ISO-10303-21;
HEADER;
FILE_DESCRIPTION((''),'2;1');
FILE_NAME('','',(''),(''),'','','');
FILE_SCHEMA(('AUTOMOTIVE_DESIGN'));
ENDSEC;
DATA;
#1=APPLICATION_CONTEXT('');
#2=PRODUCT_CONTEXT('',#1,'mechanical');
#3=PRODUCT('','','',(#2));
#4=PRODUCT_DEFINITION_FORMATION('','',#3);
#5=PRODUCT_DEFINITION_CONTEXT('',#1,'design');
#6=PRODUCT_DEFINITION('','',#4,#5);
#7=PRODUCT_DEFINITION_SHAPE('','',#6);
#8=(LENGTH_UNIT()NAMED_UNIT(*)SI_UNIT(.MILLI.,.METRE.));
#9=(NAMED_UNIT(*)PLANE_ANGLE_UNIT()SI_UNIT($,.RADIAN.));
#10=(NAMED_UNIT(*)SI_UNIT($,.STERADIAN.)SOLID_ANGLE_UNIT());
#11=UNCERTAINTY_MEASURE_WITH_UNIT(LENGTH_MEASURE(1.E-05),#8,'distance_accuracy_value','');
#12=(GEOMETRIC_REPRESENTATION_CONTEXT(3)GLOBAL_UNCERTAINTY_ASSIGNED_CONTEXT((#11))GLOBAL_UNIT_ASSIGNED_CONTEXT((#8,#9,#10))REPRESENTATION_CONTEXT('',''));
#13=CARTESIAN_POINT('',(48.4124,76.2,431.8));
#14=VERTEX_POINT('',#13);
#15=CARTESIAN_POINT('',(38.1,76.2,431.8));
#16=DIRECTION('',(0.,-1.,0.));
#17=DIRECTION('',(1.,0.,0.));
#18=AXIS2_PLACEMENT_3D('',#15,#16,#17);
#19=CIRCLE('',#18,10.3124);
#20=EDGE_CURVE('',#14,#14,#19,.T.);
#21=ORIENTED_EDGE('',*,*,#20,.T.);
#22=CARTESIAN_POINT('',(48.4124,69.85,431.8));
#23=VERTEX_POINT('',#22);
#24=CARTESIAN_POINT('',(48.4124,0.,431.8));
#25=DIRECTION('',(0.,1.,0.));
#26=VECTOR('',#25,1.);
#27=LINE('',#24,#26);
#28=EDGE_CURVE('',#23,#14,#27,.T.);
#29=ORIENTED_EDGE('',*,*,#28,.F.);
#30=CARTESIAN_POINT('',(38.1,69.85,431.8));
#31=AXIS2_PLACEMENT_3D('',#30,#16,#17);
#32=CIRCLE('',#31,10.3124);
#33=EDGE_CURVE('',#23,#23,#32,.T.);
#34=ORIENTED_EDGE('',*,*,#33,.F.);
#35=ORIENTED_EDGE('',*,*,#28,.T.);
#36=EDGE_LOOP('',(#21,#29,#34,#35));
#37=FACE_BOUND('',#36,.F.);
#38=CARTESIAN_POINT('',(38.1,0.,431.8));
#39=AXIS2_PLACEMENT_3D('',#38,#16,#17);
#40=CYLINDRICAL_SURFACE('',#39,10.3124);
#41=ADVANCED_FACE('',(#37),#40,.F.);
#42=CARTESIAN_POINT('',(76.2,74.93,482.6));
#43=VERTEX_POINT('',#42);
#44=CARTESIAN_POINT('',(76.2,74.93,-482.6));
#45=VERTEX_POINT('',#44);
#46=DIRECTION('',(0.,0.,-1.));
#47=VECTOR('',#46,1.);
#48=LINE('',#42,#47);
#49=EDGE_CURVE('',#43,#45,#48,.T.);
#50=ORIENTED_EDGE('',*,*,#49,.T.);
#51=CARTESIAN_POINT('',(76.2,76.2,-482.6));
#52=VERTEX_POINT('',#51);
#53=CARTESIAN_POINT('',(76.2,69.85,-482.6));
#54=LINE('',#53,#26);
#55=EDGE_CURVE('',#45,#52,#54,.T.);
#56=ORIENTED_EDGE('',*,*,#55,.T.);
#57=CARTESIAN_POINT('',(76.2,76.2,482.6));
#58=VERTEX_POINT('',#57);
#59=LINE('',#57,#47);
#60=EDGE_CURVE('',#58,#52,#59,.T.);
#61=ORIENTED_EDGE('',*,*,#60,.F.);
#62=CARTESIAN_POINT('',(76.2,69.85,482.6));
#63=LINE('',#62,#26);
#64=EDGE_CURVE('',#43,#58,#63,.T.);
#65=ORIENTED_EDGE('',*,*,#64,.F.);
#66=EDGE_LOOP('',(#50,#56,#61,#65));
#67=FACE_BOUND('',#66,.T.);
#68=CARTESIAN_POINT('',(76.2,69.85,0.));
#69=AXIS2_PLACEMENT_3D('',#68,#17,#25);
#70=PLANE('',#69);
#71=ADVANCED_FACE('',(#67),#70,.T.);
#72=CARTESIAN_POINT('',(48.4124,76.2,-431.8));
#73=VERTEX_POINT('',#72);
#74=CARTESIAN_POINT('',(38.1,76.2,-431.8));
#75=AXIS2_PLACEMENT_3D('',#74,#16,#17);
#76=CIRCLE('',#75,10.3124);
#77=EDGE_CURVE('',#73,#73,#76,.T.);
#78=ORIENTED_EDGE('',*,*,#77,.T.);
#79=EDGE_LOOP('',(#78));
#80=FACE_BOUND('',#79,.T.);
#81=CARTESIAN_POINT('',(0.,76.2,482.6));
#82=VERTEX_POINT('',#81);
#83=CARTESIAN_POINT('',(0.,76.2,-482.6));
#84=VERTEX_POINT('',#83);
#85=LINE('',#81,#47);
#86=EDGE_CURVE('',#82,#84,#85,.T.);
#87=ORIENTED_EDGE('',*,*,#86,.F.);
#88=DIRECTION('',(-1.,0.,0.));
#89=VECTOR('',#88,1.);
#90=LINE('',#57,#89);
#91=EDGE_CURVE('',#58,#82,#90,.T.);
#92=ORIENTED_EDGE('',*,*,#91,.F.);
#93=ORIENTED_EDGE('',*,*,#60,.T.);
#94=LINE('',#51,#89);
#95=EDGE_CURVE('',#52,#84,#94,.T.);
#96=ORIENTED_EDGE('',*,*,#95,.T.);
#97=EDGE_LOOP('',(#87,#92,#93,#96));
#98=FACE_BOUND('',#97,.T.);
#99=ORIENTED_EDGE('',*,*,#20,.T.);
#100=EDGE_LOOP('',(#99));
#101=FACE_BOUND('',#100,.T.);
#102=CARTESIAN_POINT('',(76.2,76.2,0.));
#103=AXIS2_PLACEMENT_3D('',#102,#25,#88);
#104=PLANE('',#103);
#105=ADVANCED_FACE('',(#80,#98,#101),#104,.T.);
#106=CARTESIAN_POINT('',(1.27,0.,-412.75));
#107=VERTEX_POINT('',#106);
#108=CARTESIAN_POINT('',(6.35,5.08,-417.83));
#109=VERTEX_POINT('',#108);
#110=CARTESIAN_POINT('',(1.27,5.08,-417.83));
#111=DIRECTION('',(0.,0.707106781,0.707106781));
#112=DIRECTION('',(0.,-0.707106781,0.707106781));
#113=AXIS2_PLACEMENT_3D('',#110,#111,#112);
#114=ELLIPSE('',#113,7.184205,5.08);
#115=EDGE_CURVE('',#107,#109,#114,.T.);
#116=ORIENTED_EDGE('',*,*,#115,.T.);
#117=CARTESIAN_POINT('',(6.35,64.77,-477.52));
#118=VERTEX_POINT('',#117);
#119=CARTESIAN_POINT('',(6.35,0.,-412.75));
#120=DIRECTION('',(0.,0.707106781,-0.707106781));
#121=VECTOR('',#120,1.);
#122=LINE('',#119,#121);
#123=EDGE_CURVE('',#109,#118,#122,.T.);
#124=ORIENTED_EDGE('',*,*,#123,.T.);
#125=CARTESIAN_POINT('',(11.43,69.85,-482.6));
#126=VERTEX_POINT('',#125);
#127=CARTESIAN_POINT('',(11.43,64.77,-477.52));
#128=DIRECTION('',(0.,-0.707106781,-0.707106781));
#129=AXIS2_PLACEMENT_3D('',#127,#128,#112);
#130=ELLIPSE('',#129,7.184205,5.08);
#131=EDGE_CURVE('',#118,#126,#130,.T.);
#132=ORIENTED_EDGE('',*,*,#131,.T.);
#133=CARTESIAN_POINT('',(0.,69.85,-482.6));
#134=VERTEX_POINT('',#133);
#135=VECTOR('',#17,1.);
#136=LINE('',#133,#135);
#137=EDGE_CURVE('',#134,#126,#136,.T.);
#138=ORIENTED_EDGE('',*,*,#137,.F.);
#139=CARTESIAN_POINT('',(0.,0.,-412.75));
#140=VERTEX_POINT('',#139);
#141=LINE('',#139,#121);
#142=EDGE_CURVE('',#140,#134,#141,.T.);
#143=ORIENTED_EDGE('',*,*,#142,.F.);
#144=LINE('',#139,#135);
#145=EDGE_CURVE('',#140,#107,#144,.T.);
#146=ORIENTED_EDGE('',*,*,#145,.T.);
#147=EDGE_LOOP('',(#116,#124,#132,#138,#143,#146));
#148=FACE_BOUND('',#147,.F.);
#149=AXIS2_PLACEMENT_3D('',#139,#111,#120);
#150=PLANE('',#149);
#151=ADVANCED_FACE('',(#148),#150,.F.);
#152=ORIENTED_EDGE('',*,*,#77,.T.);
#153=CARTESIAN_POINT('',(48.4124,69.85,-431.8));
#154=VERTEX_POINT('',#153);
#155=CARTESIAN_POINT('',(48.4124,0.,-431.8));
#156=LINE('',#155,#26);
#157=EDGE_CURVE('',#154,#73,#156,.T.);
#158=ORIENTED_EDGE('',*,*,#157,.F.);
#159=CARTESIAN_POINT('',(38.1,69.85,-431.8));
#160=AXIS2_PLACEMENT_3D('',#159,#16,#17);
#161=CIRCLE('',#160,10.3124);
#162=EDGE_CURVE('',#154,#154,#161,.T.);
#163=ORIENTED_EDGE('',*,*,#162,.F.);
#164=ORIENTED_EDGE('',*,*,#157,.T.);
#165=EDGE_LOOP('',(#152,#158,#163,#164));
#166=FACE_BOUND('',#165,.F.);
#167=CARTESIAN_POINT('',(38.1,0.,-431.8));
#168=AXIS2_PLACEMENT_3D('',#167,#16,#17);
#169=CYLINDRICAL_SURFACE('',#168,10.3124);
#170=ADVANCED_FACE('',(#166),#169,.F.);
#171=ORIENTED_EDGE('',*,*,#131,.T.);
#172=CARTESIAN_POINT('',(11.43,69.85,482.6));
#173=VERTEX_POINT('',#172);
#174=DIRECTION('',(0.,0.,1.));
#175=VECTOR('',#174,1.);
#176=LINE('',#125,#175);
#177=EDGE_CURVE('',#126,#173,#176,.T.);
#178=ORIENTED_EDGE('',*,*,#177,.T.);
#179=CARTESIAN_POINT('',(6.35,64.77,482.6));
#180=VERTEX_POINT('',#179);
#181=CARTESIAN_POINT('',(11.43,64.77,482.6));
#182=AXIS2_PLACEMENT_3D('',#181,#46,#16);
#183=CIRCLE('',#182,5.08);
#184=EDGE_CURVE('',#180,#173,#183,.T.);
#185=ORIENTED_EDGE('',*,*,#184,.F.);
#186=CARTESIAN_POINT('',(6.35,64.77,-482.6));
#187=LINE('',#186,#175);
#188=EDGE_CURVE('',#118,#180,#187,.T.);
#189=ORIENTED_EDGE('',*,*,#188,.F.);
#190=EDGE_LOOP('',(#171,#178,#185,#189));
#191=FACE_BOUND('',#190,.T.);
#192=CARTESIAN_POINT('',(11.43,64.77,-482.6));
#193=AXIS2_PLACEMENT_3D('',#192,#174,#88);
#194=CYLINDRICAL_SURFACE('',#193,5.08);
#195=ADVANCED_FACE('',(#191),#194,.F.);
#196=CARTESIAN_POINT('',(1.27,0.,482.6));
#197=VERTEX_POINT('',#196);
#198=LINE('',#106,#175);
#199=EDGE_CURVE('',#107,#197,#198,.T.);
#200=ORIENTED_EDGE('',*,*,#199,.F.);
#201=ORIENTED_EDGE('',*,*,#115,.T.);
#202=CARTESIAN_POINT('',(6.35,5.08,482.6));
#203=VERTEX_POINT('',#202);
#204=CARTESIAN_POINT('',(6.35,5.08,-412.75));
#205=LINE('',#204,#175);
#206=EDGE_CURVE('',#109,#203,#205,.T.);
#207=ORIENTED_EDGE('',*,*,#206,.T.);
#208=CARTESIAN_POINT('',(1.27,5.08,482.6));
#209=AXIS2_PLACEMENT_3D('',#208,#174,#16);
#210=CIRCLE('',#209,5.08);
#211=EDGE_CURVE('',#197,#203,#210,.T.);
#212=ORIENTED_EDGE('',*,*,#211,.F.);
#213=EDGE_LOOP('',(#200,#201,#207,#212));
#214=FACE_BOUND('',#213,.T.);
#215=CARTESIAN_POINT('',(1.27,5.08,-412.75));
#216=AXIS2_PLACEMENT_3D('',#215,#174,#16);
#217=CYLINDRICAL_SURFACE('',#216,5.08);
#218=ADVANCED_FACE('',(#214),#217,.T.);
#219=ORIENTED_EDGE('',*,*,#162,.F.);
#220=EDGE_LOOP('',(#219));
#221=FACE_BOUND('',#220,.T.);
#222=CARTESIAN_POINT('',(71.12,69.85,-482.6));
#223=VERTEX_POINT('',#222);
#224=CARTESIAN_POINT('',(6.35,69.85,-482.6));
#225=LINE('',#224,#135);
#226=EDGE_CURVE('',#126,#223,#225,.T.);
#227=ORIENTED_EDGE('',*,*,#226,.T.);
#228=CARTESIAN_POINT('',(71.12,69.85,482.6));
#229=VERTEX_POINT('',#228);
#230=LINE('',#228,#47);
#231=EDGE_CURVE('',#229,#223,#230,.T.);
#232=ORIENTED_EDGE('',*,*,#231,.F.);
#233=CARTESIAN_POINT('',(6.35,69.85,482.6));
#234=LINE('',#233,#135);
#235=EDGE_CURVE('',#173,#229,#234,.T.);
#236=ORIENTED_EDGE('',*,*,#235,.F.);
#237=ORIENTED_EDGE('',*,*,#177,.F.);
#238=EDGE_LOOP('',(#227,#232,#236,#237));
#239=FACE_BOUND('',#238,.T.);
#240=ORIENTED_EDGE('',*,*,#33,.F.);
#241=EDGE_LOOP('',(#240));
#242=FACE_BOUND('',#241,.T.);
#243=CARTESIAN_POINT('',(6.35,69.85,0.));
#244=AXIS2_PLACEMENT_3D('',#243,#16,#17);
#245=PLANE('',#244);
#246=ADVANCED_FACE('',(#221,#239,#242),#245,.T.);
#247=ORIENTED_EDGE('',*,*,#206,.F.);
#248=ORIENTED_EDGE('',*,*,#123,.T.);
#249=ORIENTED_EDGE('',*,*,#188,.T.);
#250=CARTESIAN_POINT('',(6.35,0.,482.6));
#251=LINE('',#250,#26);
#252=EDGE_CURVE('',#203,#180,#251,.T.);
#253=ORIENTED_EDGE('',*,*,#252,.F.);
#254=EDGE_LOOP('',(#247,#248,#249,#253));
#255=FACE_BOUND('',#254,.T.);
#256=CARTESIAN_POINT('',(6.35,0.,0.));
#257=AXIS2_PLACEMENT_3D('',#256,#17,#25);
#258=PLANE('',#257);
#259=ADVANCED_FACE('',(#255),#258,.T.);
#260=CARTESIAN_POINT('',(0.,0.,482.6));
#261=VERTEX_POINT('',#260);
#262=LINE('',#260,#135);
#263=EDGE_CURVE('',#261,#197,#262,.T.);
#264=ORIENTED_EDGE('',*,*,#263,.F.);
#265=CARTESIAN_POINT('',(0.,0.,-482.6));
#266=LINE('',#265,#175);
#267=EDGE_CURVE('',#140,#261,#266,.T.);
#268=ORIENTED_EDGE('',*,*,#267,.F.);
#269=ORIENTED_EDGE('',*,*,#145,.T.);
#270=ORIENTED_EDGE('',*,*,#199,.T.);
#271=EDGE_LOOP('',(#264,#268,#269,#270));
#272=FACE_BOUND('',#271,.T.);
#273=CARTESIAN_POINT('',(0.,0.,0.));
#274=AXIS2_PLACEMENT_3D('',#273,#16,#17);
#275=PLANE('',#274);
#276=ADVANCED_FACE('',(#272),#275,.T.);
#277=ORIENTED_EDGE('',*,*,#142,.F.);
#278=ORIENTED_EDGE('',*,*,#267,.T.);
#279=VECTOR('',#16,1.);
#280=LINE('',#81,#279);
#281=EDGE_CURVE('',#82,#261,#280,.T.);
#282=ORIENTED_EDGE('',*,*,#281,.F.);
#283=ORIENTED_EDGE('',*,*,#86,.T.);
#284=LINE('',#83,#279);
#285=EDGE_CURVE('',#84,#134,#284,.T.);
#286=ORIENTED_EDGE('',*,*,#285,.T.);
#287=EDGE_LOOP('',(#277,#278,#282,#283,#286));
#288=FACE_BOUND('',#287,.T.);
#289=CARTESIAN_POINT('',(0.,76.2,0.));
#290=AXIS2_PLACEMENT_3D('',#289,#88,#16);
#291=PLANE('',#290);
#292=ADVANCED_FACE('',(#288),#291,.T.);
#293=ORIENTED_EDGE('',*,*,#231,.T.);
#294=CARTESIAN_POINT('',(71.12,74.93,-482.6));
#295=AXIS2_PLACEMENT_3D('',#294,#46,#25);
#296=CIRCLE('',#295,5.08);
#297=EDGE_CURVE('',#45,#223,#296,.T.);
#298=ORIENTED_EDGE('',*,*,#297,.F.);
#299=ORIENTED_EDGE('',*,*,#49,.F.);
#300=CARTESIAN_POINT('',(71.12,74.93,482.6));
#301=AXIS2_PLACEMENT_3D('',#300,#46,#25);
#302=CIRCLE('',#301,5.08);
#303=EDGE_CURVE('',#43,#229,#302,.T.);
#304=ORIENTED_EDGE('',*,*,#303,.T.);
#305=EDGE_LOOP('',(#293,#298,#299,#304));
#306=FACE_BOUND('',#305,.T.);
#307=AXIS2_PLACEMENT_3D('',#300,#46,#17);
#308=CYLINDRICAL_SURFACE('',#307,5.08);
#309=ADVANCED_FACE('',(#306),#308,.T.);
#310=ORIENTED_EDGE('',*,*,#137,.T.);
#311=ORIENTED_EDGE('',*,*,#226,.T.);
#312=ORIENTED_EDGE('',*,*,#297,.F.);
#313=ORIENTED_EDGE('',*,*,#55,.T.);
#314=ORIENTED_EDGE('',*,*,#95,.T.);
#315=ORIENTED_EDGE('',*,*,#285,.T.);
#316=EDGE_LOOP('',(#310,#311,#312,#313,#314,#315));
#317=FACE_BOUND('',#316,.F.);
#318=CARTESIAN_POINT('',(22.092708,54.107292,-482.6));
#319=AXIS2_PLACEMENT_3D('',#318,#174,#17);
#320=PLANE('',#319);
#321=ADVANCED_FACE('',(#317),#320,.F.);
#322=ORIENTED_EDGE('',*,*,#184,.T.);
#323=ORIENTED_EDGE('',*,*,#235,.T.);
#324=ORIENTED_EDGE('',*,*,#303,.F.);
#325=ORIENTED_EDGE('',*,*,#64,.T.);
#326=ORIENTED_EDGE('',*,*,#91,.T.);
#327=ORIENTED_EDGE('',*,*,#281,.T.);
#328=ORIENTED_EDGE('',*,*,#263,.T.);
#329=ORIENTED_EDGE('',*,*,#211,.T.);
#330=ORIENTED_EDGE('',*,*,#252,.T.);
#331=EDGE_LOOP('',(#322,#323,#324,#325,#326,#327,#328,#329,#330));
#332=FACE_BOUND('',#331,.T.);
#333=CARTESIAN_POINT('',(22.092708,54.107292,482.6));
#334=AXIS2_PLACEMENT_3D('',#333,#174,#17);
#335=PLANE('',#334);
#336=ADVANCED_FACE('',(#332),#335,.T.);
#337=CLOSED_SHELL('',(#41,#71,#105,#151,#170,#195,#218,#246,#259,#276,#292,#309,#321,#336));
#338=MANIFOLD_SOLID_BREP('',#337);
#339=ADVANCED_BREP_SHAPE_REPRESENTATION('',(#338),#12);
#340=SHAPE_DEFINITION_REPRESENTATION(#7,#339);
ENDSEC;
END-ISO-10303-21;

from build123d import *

# Parameters (mm, degrees)
F1_DEPTH = 482.6
F5_DEPTH = 6.35
F6_R     = 10.3124
F7_DEPTH = 76.2
F8_R     = 5.08


with BuildPart() as f1:
    # F0 (on Top) → F1 (new body, symmetric)
    with BuildSketch(Plane.XY):
        Polygon((0, 76.2), (0, 0), (6.35, 0), (6.35, 69.85), (76.2, 69.85), (76.2, 76.2), align=None)
    extrude(amount=F1_DEPTH, both=True)

    # F4 (on face) → F5 (cut)
    with BuildSketch(Plane(origin=(0, 0, 0), x_dir=(0, -1, 0), z_dir=(-1, 0, 0))):
        Polygon((0, -412.75), (-69.85, -482.6), (0, -482.6), align=None)
    extrude(amount=-F5_DEPTH, mode=Mode.SUBTRACT)

    # F6 (on Front) → F7 (cut)
    with BuildSketch(Plane.XZ):
        with Locations((38.1, 431.8)):
            Circle(F6_R)
        with Locations((38.1, -431.8)):
            Circle(F6_R)
    extrude(amount=-F7_DEPTH, mode=Mode.SUBTRACT)

    # F8
    f8_edges = [f1.edges().sort_by_distance(p)[0] for p in [
        (6.35, 69.85, 0),
        (76.2, 69.85, 0),
        (6.35, 0, 34.925),
    ]]
    fillet(f8_edges, radius=F8_R)


solid = f1.part
